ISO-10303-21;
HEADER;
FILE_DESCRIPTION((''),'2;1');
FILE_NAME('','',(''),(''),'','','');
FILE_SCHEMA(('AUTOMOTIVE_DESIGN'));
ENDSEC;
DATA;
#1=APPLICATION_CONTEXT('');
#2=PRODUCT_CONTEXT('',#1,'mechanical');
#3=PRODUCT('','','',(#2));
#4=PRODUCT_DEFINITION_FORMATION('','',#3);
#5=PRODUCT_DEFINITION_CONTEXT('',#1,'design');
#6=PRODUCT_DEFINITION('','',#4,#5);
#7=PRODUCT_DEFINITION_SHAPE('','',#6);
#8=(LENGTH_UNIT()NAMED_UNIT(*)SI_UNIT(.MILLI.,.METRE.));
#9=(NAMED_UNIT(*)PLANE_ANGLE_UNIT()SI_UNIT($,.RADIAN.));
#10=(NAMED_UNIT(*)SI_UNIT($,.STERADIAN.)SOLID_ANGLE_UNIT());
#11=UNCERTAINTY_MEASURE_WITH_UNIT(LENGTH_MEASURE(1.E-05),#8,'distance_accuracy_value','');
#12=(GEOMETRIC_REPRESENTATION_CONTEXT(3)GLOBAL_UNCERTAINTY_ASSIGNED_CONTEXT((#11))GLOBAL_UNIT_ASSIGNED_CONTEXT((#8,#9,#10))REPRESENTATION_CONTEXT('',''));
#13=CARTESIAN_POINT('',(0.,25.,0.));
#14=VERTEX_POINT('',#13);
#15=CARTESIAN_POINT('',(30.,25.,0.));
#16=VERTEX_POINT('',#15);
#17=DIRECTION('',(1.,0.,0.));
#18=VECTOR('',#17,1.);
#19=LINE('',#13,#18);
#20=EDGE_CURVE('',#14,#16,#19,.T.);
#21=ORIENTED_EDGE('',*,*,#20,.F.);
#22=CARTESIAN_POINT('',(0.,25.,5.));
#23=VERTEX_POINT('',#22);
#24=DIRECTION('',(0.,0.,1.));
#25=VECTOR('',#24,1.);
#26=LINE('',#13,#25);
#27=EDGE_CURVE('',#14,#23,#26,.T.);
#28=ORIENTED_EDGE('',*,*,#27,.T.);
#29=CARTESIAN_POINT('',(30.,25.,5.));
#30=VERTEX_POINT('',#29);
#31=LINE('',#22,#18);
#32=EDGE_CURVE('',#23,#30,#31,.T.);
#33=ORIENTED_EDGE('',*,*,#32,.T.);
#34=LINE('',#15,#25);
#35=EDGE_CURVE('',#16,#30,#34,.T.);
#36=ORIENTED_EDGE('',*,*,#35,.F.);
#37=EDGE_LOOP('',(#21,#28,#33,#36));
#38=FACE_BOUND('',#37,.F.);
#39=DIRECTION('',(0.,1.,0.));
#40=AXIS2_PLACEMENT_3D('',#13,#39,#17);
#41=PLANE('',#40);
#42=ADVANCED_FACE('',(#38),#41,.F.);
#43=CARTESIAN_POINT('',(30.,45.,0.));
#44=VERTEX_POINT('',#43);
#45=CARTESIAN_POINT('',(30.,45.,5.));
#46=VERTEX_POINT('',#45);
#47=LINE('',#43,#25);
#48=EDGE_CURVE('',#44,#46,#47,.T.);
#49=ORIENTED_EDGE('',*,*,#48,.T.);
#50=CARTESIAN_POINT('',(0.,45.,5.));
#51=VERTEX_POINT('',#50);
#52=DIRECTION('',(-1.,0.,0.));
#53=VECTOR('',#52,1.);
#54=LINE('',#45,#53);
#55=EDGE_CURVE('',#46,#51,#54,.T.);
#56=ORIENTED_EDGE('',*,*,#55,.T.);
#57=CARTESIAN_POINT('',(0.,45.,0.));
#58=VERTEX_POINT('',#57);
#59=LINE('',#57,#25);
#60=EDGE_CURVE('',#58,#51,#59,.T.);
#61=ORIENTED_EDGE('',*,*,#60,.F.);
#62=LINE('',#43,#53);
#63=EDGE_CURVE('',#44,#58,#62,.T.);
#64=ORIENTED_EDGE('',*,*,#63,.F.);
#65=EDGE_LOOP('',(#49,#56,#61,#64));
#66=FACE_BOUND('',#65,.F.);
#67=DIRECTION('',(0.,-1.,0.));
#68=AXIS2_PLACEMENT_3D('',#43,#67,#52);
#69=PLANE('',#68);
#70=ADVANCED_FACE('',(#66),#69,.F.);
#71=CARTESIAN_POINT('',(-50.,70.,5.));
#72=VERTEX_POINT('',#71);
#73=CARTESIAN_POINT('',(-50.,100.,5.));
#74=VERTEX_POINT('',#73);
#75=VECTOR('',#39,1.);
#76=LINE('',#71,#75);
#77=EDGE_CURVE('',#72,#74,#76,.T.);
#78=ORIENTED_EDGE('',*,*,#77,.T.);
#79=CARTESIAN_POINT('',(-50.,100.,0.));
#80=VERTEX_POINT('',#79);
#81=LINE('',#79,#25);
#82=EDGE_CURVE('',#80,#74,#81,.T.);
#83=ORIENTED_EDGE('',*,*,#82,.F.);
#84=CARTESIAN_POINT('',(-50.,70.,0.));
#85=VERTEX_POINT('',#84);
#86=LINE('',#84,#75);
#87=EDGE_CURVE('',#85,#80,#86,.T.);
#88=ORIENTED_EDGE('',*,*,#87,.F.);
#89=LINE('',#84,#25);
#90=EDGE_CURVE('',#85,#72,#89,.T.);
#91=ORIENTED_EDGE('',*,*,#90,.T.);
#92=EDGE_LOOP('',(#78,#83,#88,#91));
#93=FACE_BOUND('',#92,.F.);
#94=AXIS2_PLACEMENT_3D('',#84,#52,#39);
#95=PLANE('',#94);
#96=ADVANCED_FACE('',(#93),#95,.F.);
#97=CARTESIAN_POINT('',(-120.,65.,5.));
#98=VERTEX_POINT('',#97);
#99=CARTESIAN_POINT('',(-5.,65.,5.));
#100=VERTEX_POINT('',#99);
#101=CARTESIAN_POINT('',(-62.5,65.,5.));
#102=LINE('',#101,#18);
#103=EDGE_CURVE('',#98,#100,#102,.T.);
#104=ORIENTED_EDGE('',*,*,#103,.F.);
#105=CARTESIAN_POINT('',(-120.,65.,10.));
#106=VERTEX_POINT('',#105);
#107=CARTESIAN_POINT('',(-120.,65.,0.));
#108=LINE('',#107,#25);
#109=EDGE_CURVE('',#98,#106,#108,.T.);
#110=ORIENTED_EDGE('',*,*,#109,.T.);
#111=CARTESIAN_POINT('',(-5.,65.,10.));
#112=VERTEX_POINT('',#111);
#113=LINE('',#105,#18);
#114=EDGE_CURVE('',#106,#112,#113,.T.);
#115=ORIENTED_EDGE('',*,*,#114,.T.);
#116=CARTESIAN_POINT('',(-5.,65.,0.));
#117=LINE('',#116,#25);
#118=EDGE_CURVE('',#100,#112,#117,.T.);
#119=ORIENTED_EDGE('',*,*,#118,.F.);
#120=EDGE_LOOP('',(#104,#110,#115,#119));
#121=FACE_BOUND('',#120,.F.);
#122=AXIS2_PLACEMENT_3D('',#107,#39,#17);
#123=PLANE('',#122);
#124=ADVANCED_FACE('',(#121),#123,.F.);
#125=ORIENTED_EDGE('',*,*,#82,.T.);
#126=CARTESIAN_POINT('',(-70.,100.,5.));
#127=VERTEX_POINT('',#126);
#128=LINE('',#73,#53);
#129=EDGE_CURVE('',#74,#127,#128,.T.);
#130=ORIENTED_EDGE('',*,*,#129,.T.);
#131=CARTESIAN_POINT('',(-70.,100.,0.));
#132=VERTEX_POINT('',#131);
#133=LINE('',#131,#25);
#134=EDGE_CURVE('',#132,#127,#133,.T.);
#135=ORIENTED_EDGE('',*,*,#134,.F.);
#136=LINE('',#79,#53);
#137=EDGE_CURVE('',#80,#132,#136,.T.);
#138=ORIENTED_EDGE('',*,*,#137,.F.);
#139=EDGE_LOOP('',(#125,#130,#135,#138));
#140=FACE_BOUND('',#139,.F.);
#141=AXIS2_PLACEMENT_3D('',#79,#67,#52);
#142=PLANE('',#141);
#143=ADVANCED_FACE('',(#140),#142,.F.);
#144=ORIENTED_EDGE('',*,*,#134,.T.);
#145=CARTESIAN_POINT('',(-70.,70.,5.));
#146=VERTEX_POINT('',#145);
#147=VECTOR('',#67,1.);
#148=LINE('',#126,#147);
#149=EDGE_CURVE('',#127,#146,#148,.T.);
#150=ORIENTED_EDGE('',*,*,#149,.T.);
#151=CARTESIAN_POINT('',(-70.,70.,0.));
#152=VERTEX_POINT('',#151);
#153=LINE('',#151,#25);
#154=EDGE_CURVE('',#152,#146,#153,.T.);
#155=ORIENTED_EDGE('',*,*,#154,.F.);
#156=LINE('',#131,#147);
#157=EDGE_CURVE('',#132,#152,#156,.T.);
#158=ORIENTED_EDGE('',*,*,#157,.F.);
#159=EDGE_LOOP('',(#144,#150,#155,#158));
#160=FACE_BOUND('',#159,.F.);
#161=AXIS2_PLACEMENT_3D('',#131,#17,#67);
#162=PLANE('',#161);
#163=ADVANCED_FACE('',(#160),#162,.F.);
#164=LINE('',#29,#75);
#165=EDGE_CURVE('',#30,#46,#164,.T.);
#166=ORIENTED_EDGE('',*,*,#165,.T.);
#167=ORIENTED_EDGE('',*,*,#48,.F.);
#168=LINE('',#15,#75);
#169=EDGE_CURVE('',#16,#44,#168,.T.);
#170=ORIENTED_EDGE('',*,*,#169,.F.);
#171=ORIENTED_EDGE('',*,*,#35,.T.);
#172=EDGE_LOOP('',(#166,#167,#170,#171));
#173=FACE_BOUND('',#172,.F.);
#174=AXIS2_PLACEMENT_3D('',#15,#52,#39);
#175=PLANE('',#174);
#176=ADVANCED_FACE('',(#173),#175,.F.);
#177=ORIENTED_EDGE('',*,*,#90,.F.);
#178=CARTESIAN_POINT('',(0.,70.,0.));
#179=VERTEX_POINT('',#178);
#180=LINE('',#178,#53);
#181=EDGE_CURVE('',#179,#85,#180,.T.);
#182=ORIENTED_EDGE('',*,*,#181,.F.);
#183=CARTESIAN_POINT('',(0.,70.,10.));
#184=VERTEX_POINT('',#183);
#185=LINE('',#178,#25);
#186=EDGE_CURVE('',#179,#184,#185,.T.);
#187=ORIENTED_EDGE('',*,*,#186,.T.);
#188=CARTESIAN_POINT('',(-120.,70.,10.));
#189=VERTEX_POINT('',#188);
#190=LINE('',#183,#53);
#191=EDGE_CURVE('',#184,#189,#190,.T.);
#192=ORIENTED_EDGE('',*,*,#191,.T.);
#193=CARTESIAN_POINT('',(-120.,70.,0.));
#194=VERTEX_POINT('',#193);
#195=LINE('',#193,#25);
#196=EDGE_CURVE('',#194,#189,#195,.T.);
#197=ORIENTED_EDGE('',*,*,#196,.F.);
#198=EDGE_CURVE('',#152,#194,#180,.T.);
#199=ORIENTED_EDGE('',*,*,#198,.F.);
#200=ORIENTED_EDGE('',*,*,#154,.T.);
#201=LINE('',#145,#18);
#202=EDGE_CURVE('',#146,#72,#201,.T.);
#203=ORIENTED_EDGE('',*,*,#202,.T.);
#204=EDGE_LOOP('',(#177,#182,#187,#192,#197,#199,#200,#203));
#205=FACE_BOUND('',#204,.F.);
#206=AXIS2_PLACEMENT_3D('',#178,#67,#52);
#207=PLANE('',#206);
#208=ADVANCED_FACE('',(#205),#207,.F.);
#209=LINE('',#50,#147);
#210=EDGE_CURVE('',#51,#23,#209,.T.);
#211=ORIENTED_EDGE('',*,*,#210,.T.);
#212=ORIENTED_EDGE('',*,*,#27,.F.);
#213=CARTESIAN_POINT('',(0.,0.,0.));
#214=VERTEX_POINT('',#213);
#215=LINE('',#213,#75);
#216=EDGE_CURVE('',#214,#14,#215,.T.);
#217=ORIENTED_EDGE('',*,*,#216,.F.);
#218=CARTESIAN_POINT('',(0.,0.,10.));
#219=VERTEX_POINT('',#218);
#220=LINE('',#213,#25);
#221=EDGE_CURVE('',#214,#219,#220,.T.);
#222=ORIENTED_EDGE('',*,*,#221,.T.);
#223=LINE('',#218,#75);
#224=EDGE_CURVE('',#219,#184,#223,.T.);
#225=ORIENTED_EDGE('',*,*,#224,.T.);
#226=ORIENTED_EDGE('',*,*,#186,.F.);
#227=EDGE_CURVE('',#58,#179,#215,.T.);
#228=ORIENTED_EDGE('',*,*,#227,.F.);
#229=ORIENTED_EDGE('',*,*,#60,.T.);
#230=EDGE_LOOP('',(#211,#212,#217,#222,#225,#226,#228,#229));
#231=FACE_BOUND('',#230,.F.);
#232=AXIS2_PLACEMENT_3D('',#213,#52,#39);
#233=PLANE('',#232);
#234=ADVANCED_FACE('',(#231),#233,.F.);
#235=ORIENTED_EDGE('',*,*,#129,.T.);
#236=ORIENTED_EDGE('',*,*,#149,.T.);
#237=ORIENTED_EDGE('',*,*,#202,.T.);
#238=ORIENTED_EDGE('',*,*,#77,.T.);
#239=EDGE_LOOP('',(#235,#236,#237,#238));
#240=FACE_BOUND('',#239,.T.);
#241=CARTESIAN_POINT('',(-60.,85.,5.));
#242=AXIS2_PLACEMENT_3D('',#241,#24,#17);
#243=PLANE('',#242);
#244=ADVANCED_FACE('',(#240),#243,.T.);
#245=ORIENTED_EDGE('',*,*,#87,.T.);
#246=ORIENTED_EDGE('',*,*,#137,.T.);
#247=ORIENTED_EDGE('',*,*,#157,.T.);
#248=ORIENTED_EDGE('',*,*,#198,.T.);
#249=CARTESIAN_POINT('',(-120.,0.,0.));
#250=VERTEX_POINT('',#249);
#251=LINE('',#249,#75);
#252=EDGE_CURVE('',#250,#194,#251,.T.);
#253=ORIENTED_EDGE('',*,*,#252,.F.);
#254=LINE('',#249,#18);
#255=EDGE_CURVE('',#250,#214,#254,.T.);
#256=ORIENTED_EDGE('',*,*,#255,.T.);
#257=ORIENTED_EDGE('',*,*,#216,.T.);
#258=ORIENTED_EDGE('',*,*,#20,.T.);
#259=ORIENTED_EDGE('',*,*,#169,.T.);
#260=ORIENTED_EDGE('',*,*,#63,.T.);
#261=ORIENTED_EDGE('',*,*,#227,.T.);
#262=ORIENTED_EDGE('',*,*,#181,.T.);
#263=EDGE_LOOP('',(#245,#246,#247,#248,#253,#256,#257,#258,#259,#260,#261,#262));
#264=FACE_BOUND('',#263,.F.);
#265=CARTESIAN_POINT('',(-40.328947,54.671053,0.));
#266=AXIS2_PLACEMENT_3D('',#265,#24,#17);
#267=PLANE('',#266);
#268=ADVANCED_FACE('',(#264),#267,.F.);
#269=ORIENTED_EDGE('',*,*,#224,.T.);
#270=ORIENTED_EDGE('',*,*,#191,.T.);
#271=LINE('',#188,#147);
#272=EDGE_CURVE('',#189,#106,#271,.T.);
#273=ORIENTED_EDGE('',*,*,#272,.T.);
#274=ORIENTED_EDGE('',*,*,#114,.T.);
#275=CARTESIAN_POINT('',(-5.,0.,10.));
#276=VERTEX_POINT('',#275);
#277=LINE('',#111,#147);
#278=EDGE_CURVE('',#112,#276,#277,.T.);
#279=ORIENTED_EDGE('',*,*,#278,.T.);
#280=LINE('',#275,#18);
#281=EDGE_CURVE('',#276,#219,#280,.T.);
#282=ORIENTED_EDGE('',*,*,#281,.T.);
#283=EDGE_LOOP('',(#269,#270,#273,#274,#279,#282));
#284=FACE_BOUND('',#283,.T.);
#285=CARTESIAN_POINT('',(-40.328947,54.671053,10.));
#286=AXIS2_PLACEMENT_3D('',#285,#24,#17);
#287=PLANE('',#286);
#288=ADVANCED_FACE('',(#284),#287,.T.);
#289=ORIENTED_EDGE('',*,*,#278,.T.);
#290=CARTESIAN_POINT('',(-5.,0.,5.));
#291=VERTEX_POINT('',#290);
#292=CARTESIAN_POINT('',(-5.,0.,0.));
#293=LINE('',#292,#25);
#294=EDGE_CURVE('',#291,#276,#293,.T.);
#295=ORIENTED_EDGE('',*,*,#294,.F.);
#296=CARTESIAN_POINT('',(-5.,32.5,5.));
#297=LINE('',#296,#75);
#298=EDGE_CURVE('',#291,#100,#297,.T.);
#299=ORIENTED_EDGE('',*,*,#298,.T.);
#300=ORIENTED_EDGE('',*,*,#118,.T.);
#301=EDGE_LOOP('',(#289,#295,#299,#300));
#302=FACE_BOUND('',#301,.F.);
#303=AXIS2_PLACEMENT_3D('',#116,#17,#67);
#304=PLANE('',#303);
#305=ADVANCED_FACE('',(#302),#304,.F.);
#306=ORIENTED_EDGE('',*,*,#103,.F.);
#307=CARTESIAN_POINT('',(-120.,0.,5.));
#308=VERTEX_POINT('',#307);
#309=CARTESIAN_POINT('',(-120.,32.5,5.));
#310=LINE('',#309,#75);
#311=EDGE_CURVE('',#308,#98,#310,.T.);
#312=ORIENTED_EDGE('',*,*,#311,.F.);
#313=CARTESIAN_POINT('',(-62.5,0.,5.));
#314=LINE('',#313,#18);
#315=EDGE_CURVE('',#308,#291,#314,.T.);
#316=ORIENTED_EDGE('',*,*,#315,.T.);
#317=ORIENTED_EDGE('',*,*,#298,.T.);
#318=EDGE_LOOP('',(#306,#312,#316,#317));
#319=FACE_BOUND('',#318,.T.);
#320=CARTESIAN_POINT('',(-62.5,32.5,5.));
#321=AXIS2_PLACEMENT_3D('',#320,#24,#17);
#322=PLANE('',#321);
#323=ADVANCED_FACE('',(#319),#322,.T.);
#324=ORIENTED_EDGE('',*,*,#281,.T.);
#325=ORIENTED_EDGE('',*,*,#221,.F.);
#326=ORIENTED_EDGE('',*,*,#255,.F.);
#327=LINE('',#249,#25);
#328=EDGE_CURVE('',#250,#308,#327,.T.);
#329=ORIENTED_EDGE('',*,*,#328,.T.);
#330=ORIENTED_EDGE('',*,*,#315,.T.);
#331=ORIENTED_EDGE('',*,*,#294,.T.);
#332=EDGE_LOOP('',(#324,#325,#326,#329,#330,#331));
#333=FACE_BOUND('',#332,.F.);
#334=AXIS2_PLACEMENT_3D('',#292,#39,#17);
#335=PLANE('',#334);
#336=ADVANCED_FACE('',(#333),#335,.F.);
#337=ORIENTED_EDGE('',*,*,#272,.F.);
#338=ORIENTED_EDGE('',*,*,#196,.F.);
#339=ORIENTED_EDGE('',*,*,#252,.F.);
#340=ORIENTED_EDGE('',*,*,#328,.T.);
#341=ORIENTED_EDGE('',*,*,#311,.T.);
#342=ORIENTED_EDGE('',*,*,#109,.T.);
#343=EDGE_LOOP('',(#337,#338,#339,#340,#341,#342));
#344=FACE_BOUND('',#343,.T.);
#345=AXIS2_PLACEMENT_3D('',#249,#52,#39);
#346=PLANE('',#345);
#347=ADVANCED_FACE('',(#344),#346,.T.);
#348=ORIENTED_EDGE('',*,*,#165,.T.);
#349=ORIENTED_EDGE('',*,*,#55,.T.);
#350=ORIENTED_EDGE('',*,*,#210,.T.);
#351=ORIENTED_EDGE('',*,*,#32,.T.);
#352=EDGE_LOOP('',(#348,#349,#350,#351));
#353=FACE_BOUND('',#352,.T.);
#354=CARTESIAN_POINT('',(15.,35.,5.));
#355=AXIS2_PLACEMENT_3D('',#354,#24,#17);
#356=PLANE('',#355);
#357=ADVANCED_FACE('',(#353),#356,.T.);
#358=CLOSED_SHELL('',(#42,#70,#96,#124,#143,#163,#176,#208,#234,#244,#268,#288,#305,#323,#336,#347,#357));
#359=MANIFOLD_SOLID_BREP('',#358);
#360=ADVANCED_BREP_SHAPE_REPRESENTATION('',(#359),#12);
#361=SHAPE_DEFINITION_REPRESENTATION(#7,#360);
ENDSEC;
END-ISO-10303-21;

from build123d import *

# Parameters (mm, degrees)
F0_W     = 115
F0_H     = 65
F1_DEPTH = 5
F2_DEPTH = 5
F3_DEPTH = 10


with BuildPart() as f1:
    # F0 (on Top) → F1 (new body)
    with BuildSketch(Plane.XY):
        with Locations((-62.5, 32.5)):
            Rectangle(F0_W, F0_H)
    extrude(amount=F1_DEPTH)



with BuildPart() as f2:
    # F0 (on Top) → F2 (new body)
    with BuildSketch(Plane.XY):
        Polygon((-70, 70), (-50, 70), (-50, 100), (-60, 100), (-70, 100), align=None)
    extrude(amount=F2_DEPTH)


with BuildPart() as f2b:
    # F0 (on Top) → F2, piece 2 (new body)
    with BuildSketch(Plane.XY):
        Polygon((0, 45), (0, 25), (30, 25), (30, 35), (30, 45), align=None)
    extrude(amount=F2_DEPTH)


with BuildPart() as f1_1:
    add(f1.part)

    add(f2.part)  # F3 merges F2

    add(f2b.part)  # F3 merges F2b
    # F0 (on Top) → F3 (join)
    with BuildSketch(Plane.XY):
        Polygon((-5, 0), (0, 0), (0, 25), (0, 45), (0, 70), (-50, 70), (-70, 70), (-120, 70), (-120, 65), (-5, 65), align=None)
    extrude(amount=F3_DEPTH)


solid = f1_1.part
